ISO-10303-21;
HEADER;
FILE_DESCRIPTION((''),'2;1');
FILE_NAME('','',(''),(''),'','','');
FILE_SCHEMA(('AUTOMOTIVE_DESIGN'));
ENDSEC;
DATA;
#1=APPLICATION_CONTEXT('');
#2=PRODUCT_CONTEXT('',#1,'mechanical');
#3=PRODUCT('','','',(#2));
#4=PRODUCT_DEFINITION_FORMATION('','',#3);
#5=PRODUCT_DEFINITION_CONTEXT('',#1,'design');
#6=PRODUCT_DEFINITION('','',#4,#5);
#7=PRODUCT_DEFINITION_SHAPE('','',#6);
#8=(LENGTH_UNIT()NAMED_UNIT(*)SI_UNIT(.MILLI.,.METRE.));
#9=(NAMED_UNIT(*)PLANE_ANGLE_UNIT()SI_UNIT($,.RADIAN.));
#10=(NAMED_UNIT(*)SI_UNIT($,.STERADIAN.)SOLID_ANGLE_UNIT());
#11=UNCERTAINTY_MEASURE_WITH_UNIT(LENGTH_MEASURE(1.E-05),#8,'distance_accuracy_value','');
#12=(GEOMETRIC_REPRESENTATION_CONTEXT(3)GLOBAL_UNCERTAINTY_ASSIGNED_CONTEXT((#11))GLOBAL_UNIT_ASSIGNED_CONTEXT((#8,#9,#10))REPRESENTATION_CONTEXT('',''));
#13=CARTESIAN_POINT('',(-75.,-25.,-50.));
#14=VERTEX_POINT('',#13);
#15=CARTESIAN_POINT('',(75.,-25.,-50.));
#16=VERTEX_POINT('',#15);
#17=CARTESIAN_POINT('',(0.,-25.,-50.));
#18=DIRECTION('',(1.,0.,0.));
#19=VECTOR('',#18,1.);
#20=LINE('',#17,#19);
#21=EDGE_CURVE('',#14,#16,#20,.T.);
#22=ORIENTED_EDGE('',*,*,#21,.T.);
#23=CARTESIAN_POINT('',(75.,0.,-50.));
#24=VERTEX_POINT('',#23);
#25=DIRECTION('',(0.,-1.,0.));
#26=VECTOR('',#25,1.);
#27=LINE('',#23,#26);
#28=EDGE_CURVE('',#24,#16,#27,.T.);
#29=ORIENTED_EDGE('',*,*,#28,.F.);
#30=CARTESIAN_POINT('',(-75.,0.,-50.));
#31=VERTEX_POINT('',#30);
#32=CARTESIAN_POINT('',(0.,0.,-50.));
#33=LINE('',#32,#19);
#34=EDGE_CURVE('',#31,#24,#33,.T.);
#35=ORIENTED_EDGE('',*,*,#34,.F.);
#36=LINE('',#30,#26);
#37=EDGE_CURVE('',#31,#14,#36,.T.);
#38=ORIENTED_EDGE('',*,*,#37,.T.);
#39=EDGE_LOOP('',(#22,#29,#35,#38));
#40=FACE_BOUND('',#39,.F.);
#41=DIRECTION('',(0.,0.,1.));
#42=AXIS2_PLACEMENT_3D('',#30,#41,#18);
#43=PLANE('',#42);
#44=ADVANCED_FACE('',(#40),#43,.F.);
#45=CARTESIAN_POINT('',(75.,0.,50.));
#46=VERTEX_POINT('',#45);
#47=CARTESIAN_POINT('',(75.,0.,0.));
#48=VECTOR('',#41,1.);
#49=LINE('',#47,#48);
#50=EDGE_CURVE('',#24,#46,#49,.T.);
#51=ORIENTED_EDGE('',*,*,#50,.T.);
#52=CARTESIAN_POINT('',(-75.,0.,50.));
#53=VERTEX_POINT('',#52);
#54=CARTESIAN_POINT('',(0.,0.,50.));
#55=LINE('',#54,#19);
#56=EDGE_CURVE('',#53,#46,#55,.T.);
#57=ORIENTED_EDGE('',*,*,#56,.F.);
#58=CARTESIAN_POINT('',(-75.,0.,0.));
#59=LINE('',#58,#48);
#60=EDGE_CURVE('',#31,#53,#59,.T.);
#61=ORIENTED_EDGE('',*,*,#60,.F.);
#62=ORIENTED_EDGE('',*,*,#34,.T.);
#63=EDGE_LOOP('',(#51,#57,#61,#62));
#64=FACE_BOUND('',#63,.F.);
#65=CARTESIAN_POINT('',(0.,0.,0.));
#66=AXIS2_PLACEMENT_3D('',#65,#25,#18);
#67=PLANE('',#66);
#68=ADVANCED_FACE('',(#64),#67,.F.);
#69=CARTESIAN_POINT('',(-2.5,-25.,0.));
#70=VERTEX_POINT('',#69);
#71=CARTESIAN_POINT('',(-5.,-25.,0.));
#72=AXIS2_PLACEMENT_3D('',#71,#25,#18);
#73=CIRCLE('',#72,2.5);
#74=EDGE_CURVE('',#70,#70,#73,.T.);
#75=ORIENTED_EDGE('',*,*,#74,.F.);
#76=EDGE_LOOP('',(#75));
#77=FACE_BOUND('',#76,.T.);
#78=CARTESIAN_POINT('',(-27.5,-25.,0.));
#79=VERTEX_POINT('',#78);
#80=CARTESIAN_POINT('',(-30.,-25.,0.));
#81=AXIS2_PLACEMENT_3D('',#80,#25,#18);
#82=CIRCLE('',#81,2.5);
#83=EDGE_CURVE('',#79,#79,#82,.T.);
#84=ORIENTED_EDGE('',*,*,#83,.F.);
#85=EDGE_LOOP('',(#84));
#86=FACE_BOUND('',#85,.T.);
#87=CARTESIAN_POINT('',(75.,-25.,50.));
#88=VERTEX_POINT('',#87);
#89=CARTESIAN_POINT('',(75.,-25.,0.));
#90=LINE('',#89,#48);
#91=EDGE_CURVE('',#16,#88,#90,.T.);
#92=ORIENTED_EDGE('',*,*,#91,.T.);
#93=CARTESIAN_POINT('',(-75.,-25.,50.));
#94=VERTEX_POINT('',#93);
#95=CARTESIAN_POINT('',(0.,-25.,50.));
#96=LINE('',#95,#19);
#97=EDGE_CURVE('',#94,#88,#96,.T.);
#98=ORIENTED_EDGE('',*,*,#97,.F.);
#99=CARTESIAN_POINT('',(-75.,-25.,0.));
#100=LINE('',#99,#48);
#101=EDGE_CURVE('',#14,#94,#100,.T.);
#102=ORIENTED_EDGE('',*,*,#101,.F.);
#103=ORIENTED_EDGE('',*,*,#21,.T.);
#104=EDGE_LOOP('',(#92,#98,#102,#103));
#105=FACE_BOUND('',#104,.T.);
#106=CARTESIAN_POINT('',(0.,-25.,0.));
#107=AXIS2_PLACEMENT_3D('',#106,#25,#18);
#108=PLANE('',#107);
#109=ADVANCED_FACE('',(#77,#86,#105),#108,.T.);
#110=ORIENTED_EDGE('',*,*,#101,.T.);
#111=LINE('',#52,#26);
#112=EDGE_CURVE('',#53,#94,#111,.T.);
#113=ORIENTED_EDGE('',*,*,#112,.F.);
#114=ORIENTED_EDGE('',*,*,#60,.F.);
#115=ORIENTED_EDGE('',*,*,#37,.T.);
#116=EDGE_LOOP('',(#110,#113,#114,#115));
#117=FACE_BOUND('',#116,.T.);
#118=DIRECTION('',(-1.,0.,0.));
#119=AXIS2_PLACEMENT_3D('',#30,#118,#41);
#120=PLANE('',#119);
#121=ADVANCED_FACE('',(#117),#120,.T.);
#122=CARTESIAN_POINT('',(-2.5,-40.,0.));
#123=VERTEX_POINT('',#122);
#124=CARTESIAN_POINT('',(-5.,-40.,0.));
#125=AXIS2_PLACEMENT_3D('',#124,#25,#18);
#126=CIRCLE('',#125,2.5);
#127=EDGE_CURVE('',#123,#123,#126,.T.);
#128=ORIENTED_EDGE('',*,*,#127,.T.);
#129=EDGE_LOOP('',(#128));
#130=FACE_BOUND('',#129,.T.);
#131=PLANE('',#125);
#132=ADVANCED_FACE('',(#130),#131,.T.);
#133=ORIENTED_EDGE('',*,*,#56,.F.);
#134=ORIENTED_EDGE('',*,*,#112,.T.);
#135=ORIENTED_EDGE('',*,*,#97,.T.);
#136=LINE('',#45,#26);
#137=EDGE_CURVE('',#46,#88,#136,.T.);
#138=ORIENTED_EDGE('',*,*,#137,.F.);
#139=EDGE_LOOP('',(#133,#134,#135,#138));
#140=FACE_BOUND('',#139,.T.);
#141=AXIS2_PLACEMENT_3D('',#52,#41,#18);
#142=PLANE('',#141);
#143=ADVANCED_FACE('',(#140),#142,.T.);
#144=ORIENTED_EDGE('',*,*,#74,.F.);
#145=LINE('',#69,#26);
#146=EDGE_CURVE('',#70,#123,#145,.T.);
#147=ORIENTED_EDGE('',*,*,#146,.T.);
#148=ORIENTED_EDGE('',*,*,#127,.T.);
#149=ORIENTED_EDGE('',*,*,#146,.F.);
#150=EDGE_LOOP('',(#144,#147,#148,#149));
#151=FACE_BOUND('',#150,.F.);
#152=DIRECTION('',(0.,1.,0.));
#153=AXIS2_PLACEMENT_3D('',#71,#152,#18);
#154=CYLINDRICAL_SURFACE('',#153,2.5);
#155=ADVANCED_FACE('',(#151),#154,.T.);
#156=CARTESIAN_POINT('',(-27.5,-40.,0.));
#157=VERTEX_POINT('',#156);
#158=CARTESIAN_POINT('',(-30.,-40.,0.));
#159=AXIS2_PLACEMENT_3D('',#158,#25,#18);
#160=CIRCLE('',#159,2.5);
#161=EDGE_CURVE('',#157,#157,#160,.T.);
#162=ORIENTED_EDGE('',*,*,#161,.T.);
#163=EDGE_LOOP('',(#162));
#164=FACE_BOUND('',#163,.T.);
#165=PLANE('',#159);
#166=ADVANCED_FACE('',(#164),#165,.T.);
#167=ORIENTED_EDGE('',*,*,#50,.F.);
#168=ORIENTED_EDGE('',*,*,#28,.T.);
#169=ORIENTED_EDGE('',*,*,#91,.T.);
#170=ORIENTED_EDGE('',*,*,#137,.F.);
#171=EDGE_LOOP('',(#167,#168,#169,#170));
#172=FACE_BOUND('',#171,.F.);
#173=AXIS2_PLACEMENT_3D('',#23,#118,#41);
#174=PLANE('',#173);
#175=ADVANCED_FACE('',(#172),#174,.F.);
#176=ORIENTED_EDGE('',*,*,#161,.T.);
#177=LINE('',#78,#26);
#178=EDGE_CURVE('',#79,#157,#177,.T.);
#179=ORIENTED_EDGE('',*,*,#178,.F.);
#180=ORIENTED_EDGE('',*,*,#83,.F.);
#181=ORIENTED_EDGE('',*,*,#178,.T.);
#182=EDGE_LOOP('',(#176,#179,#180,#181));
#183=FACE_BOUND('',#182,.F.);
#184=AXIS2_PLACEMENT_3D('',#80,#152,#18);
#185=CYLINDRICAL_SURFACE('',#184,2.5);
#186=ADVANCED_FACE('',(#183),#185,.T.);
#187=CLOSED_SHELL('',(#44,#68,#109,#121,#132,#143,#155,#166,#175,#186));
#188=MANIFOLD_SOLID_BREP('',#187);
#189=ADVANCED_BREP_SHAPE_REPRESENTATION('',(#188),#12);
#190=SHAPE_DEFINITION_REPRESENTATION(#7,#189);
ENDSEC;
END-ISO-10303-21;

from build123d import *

# Parameters (mm, degrees)
F0_W     = 150
F0_H     = 100
F1_DEPTH = 25
F2_R     = 2.5
F3_DEPTH = 15
F4_R     = 2.5
F5_DEPTH = 15


with BuildPart() as f1:
    # F0 (on Front) → F1 (new body)
    with BuildSketch(Plane.XZ):
        Rectangle(F0_W, F0_H)
    extrude(amount=F1_DEPTH)

    # F2 (on face) → F3 (join)
    with BuildSketch(Plane.XZ.offset(25)):
        with Locations((-30, 0)):
            Circle(F2_R)
    extrude(amount=F3_DEPTH)

    # F4 (on face) → F5 (join)
    with BuildSketch(Plane.XZ.offset(25)):
        with Locations((-5, 0)):
            Circle(F4_R)
    extrude(amount=F5_DEPTH)


solid = f1.part
